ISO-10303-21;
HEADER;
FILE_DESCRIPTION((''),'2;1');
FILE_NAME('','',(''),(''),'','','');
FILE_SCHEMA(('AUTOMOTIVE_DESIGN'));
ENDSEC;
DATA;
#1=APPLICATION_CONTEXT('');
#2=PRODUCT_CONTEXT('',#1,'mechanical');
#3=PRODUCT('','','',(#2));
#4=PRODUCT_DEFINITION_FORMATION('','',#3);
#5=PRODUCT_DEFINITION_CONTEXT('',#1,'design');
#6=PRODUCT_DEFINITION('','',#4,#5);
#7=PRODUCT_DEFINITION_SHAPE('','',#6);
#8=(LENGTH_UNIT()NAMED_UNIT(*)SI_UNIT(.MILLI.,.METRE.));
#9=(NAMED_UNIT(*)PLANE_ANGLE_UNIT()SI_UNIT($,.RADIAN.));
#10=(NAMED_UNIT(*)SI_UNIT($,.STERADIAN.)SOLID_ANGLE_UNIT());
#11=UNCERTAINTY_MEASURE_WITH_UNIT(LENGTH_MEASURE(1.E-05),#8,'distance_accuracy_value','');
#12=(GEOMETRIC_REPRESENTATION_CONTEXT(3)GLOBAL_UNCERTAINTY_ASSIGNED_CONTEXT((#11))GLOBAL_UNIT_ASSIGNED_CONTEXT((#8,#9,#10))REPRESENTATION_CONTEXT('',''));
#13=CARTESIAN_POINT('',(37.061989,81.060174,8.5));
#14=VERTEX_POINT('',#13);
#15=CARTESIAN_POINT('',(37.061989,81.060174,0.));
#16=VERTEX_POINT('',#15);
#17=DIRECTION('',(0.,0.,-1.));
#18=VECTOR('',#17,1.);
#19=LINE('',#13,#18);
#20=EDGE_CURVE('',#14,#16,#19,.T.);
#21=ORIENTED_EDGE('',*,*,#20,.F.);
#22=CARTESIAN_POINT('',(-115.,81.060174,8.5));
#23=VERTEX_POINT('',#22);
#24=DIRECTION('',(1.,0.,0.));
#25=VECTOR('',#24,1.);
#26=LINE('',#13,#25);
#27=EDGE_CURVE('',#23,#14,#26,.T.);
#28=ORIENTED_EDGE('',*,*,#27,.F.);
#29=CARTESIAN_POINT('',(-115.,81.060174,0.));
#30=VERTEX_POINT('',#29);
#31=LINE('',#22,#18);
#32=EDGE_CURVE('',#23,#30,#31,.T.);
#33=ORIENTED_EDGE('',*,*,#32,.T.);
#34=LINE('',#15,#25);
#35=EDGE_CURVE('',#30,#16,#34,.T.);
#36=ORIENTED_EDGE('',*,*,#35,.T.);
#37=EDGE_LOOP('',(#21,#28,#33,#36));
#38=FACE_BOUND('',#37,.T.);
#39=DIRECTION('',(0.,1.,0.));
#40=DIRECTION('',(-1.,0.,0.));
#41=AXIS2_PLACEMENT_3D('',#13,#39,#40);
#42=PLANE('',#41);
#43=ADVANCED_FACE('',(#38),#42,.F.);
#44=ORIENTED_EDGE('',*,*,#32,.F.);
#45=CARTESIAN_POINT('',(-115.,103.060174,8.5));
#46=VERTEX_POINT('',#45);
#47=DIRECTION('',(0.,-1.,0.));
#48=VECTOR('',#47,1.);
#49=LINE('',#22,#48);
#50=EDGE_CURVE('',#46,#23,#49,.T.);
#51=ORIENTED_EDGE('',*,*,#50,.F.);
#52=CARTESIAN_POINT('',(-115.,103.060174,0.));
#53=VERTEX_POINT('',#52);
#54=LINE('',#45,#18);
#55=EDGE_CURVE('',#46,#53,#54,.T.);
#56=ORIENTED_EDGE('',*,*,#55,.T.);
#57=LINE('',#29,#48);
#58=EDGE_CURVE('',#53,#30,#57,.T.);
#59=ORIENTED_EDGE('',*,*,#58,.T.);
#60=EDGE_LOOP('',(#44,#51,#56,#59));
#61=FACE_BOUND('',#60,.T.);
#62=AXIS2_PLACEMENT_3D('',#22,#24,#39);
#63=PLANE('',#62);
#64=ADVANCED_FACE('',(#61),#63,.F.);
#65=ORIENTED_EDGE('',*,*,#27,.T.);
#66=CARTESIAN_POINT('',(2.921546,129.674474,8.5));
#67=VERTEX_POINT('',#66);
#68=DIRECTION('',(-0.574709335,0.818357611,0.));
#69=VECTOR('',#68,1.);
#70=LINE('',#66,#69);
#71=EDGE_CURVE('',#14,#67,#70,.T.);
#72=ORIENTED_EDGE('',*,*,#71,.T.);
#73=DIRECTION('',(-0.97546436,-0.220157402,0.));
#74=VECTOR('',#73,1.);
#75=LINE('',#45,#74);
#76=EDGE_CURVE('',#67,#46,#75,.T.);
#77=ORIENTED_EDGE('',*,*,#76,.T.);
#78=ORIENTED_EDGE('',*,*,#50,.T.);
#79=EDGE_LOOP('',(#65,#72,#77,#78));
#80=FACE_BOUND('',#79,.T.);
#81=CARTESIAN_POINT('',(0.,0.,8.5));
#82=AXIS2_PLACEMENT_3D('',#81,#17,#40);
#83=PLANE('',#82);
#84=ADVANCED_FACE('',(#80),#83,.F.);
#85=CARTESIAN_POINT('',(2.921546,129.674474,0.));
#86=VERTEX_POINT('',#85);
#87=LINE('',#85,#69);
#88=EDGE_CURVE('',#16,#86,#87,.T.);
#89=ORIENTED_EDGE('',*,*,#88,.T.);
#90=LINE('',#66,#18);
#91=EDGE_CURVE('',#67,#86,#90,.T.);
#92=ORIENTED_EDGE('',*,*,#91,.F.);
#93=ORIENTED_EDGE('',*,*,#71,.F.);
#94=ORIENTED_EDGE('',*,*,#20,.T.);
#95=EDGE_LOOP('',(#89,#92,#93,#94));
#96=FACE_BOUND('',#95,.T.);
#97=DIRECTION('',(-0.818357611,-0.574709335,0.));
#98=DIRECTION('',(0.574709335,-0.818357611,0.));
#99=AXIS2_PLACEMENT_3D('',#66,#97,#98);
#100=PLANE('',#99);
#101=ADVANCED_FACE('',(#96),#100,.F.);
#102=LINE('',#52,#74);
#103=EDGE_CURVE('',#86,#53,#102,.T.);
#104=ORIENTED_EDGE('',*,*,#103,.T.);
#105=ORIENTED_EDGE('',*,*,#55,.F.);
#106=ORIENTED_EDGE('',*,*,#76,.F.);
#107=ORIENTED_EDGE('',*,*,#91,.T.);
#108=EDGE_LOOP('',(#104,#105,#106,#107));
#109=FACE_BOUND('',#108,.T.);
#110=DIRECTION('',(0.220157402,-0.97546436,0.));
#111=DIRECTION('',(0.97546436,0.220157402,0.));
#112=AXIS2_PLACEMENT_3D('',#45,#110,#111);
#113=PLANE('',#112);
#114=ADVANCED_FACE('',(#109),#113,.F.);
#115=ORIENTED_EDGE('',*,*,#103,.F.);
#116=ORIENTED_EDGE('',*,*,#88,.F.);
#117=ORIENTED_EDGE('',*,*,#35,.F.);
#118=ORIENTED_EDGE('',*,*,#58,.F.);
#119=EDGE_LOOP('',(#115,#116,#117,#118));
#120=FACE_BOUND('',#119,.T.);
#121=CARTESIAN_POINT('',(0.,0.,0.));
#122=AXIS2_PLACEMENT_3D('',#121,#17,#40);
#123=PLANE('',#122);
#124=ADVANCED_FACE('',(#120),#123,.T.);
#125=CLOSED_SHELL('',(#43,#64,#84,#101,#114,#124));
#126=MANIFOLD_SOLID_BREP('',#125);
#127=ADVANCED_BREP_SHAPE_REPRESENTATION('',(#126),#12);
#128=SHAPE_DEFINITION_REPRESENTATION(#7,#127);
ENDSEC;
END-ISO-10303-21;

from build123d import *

# Parameters (mm, degrees)
BOSS_EXTRU_1_DEPTH = 8.5


with BuildPart() as part:
    # Esquisse1 → Boss.-Extru.1 (new body)
    with BuildSketch(Plane.XY):
        Polygon((-115, 81.060173911), (-115, 103.060173911), (2.921545515, 129.674473857), (37.061989287, 81.060173911), align=None)
    extrude(amount=BOSS_EXTRU_1_DEPTH)


solid = part.part
